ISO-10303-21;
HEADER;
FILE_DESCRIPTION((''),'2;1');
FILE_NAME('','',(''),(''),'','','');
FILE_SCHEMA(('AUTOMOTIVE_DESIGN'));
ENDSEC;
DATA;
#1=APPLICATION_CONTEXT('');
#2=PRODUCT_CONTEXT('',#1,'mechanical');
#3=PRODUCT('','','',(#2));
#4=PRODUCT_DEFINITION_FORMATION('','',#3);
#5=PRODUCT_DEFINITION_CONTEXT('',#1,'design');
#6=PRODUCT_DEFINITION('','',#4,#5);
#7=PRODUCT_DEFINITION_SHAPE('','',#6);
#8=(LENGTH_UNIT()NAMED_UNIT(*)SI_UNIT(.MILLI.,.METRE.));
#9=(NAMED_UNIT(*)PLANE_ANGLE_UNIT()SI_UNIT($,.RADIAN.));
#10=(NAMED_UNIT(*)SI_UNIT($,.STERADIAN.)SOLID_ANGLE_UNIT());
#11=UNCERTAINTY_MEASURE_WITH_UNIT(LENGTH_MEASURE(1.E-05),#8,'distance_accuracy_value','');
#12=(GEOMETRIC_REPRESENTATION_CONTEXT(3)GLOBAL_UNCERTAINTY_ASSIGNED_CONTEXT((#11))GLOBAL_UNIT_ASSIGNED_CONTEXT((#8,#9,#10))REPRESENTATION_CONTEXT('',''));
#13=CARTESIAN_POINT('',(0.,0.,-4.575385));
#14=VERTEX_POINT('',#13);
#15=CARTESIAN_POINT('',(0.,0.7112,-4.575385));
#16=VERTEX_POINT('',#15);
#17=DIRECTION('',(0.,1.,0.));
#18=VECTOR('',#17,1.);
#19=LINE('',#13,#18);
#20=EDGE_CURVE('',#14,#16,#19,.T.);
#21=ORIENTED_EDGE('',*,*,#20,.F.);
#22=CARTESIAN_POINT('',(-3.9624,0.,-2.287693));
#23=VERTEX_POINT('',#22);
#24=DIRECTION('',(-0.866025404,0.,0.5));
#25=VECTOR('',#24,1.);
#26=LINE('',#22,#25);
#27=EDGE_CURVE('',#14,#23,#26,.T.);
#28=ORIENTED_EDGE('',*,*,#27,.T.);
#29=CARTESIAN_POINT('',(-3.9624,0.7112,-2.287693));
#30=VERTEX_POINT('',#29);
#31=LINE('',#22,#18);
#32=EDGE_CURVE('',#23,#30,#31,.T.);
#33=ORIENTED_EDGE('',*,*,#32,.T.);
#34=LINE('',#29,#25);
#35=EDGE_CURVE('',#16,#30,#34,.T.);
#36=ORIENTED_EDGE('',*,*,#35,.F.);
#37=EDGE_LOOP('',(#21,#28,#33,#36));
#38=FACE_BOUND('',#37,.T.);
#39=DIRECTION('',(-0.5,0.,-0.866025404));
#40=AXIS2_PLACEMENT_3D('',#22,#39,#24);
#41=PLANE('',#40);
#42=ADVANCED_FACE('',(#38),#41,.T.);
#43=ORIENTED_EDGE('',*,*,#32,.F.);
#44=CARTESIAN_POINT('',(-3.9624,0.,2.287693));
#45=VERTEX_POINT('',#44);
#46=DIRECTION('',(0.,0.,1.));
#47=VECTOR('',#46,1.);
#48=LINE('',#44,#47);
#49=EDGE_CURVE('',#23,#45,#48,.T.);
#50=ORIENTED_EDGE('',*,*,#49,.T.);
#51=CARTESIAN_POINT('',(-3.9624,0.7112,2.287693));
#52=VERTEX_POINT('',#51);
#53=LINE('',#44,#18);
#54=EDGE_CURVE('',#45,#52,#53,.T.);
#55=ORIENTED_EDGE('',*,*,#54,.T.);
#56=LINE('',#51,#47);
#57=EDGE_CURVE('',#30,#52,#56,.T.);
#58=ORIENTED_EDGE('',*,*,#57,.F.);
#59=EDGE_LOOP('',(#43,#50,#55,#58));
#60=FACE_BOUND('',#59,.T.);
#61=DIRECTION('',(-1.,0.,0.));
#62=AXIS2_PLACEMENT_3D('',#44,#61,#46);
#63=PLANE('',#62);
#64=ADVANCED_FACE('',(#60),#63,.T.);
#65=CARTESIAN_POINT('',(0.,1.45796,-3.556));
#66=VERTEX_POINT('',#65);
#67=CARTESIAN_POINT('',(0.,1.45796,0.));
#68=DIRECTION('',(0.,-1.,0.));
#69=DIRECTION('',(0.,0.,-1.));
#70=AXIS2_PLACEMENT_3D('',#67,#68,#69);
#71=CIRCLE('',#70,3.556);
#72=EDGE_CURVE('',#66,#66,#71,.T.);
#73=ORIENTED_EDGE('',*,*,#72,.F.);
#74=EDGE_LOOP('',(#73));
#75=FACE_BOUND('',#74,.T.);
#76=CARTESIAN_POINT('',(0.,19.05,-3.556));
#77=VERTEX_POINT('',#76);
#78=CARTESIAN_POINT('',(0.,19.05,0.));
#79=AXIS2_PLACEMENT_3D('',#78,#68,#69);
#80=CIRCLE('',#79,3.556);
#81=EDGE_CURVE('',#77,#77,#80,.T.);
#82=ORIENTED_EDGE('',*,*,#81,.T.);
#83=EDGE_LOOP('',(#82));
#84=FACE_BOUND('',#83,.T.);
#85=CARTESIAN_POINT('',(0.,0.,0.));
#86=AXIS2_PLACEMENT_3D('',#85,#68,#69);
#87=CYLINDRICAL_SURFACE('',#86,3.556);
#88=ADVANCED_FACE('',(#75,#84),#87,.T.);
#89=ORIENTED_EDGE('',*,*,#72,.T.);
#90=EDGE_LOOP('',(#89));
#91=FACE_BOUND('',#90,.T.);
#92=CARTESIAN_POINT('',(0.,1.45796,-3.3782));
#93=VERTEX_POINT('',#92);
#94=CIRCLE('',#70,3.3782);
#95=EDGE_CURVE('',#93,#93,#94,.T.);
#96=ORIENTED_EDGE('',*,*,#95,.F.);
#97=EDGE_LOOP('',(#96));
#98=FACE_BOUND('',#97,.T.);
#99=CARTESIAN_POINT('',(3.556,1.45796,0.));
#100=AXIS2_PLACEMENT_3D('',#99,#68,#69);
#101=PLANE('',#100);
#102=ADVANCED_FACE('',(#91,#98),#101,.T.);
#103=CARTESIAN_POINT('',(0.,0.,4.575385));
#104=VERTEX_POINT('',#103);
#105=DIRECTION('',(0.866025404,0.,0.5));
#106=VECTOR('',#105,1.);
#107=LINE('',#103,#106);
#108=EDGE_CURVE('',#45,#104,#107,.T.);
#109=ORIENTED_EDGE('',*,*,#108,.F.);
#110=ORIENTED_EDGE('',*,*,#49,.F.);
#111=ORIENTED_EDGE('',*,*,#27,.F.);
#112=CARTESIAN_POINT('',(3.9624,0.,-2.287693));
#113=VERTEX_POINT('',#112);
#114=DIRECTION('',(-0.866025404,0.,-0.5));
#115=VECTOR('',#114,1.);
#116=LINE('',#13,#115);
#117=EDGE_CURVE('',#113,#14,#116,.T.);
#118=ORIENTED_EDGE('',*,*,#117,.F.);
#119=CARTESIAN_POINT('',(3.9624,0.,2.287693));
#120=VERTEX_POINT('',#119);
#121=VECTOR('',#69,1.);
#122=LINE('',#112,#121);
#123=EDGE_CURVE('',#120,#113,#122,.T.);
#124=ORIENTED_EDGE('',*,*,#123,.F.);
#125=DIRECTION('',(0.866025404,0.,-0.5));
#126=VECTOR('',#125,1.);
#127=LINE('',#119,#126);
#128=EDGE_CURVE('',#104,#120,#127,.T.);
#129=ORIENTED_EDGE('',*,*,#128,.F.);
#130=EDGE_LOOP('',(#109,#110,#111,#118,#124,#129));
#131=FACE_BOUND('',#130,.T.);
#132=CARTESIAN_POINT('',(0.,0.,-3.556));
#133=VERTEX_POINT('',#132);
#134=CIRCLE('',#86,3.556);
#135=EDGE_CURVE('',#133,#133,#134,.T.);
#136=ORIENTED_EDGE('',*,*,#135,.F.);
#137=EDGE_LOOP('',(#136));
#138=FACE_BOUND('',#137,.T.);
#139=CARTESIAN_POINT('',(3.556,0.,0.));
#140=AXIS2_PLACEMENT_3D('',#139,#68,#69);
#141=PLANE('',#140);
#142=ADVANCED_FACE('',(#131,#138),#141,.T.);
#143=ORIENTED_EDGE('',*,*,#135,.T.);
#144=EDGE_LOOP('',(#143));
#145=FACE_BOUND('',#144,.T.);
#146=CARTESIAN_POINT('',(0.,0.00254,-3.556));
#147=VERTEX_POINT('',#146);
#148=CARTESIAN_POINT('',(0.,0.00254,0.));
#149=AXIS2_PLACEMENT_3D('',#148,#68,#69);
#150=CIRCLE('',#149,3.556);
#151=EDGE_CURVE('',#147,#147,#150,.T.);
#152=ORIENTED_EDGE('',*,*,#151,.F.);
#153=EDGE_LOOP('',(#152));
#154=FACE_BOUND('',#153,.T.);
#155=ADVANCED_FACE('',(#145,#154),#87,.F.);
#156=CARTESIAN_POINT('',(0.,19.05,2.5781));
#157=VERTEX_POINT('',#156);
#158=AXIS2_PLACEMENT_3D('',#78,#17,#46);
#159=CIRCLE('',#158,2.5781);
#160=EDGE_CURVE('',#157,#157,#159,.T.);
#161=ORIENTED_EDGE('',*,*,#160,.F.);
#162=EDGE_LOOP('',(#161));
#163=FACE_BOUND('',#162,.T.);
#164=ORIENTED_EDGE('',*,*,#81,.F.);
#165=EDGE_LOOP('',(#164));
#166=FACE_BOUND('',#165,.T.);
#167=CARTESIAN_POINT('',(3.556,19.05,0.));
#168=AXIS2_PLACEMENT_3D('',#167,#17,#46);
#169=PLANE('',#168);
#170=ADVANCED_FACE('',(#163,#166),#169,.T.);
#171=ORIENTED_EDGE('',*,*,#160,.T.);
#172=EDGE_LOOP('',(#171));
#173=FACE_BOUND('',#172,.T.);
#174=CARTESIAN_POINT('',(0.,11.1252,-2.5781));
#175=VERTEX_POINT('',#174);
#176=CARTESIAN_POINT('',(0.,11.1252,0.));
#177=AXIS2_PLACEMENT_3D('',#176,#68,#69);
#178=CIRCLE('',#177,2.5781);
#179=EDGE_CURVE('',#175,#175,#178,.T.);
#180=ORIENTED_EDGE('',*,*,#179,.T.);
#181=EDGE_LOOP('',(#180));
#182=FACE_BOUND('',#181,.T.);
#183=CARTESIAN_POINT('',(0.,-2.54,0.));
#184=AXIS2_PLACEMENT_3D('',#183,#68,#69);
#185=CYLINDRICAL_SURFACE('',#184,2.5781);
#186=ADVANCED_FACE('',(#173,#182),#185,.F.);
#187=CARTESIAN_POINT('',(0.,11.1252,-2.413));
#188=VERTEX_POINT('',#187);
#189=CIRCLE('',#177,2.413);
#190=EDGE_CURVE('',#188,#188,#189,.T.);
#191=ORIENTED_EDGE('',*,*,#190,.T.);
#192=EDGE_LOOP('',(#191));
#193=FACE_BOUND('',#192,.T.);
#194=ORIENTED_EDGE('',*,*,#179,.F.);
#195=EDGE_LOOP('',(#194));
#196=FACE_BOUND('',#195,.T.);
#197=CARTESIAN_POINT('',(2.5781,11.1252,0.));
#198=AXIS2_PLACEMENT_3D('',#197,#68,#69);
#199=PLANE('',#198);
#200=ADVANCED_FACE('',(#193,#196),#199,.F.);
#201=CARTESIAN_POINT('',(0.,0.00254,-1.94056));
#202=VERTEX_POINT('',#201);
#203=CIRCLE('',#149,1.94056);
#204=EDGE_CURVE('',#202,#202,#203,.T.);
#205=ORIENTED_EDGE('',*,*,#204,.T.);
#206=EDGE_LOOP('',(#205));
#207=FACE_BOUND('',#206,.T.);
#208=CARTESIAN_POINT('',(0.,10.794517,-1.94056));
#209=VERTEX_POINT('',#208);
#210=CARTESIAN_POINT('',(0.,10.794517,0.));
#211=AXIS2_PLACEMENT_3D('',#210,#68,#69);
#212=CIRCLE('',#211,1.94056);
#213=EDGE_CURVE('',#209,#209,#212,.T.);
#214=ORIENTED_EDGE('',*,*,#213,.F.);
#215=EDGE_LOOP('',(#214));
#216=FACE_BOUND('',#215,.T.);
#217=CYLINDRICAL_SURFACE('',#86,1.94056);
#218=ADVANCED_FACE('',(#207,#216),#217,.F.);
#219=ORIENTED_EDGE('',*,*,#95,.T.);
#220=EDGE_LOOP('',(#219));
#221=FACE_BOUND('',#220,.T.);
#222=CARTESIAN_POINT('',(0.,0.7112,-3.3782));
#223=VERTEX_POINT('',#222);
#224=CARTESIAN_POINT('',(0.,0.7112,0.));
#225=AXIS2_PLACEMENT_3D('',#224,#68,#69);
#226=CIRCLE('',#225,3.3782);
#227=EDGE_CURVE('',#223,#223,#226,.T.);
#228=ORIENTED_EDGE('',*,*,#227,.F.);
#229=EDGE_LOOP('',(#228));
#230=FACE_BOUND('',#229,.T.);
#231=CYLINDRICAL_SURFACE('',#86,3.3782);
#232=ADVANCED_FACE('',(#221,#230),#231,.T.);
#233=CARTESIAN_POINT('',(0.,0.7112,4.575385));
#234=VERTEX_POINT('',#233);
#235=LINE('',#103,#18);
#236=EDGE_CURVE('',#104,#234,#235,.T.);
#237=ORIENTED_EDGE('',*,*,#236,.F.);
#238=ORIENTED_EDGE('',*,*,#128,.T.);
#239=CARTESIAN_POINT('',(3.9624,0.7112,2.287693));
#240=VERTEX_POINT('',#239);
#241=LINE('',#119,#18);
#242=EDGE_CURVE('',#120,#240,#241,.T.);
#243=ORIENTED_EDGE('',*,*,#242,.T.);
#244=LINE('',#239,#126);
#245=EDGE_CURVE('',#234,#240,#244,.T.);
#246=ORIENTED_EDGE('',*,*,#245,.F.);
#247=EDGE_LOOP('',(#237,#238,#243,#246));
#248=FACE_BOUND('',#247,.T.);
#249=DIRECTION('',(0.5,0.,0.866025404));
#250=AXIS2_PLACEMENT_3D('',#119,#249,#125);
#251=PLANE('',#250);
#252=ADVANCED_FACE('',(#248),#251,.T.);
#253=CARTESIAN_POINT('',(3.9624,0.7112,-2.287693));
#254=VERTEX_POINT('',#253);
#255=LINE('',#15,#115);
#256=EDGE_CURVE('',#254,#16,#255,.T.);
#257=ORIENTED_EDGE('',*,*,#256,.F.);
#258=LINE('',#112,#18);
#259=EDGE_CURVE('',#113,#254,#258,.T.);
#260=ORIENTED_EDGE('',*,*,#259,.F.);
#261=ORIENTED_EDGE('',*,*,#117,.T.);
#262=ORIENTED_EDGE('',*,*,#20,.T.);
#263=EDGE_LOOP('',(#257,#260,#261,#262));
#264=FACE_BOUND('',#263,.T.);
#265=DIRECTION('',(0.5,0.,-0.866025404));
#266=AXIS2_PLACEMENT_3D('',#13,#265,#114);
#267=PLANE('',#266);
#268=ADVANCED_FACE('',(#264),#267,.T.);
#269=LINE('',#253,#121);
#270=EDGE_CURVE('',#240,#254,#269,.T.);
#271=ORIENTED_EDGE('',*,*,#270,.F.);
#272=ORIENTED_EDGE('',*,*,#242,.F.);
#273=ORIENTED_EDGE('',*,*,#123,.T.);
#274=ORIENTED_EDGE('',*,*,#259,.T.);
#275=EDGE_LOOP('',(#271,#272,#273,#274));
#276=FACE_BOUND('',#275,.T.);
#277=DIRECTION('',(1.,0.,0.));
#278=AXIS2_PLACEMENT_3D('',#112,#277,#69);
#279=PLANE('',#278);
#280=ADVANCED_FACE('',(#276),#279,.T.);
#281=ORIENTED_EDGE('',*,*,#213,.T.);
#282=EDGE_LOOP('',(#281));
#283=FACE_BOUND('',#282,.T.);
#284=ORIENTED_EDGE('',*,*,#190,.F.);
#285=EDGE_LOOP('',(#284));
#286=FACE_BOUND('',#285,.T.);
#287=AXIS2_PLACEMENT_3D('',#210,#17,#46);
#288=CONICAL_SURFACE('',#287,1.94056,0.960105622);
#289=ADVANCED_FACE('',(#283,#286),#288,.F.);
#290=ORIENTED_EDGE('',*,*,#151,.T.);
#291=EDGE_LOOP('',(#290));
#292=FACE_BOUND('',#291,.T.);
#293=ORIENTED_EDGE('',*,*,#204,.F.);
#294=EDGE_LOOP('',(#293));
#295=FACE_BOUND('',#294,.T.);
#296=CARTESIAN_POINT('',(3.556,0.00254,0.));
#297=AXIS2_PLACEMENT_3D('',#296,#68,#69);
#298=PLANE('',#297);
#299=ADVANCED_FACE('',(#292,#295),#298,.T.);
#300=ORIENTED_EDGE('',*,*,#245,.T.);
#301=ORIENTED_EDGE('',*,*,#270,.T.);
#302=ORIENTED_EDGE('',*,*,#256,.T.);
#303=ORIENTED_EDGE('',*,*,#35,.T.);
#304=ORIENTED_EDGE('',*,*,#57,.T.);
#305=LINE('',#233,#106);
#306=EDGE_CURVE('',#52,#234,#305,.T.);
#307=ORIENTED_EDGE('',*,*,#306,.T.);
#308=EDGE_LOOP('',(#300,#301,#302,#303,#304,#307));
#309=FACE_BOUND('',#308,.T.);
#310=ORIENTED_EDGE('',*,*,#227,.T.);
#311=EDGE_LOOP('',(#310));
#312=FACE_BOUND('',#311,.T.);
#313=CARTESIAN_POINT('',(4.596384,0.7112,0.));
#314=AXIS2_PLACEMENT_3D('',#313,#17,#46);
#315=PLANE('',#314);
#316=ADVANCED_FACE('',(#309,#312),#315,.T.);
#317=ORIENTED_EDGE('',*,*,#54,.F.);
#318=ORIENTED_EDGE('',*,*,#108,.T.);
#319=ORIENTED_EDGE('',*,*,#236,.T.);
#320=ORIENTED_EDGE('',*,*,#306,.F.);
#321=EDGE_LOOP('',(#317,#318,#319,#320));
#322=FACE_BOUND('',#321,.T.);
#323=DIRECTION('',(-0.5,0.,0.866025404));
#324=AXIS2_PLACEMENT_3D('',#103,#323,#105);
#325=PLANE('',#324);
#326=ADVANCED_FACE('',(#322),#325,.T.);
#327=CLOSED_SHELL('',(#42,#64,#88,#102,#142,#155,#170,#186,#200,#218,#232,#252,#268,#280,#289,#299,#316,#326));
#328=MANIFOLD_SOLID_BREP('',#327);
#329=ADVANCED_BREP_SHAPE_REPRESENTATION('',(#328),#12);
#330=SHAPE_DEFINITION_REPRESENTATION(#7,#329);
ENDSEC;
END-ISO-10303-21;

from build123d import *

# Parameters (mm, degrees)
HEXDIESKE_R  = 4.609084
HEXDIE_DEPTH = 0.7112


with BuildPart() as part:
    # BodySke → Body (revolve)
    with BuildSketch(Plane.XY, mode=Mode.PRIVATE) as body_sk:
        Polygon((3.556, 0), (4.596384, 0), (4.596384, 0.7112), (3.3782, 0.7112), (3.3782, 1.45796), (3.556, 1.45796), (3.556, 19.05), (1.94056, 19.05), (1.94056, 0.00508), (0, 0.00508), (0, 0.00254), (3.556, 0.00254), align=None)
    revolve(body_sk.sketch.rotate(Axis((0, 0, 0), (0, 1, 0)), 90), axis=Axis((0, 0, 0), (0, 1, 0)))

    # TapDriSke → TapDrill (revolve, cut)
    with BuildSketch(Plane.XY, mode=Mode.PRIVATE) as tapdrill_sk:
        Polygon((1.94056, -3.95732), (1.94056, 19.05), (0, 19.05), (0, -4.761126271), align=None)
    revolve(tapdrill_sk.sketch.rotate(Axis((0, 0, 0), (0, 1, 0)), 90), axis=Axis((0, 0, 0), (0, 1, 0)), mode=Mode.SUBTRACT)

    # EndChamferSke → EndChamfer (revolve, cut)
    with BuildSketch(Plane.XY, mode=Mode.PRIVATE) as endchamfer_sk:
        Polygon((2.5781, 11.1252), (2.5781, 19.304), (1.94056, 19.304), (1.94056, 10.79451682), (2.413, 11.1252), align=None)
    revolve(endchamfer_sk.sketch.rotate(Axis((0, -2.54, 0), (0, 1, 0)), 90), axis=Axis((0, -2.54, 0), (0, 1, 0)), mode=Mode.SUBTRACT)

    # HexDieSke → HexDie (cut)
    with BuildSketch(Plane(origin=(0, 0.7112, 0), x_dir=(-1, 0, 0), z_dir=(0, 1, 0))):
        Circle(HEXDIESKE_R)
        Polygon((0, 4.575385413), (3.9624, 2.287692707), (3.9624, -2.287692707), (0, -4.575385413), (-3.9624, -2.287692707), (-3.9624, 2.287692707), align=None, mode=Mode.SUBTRACT)
    extrude(amount=-HEXDIE_DEPTH, mode=Mode.SUBTRACT)


solid = part.part
